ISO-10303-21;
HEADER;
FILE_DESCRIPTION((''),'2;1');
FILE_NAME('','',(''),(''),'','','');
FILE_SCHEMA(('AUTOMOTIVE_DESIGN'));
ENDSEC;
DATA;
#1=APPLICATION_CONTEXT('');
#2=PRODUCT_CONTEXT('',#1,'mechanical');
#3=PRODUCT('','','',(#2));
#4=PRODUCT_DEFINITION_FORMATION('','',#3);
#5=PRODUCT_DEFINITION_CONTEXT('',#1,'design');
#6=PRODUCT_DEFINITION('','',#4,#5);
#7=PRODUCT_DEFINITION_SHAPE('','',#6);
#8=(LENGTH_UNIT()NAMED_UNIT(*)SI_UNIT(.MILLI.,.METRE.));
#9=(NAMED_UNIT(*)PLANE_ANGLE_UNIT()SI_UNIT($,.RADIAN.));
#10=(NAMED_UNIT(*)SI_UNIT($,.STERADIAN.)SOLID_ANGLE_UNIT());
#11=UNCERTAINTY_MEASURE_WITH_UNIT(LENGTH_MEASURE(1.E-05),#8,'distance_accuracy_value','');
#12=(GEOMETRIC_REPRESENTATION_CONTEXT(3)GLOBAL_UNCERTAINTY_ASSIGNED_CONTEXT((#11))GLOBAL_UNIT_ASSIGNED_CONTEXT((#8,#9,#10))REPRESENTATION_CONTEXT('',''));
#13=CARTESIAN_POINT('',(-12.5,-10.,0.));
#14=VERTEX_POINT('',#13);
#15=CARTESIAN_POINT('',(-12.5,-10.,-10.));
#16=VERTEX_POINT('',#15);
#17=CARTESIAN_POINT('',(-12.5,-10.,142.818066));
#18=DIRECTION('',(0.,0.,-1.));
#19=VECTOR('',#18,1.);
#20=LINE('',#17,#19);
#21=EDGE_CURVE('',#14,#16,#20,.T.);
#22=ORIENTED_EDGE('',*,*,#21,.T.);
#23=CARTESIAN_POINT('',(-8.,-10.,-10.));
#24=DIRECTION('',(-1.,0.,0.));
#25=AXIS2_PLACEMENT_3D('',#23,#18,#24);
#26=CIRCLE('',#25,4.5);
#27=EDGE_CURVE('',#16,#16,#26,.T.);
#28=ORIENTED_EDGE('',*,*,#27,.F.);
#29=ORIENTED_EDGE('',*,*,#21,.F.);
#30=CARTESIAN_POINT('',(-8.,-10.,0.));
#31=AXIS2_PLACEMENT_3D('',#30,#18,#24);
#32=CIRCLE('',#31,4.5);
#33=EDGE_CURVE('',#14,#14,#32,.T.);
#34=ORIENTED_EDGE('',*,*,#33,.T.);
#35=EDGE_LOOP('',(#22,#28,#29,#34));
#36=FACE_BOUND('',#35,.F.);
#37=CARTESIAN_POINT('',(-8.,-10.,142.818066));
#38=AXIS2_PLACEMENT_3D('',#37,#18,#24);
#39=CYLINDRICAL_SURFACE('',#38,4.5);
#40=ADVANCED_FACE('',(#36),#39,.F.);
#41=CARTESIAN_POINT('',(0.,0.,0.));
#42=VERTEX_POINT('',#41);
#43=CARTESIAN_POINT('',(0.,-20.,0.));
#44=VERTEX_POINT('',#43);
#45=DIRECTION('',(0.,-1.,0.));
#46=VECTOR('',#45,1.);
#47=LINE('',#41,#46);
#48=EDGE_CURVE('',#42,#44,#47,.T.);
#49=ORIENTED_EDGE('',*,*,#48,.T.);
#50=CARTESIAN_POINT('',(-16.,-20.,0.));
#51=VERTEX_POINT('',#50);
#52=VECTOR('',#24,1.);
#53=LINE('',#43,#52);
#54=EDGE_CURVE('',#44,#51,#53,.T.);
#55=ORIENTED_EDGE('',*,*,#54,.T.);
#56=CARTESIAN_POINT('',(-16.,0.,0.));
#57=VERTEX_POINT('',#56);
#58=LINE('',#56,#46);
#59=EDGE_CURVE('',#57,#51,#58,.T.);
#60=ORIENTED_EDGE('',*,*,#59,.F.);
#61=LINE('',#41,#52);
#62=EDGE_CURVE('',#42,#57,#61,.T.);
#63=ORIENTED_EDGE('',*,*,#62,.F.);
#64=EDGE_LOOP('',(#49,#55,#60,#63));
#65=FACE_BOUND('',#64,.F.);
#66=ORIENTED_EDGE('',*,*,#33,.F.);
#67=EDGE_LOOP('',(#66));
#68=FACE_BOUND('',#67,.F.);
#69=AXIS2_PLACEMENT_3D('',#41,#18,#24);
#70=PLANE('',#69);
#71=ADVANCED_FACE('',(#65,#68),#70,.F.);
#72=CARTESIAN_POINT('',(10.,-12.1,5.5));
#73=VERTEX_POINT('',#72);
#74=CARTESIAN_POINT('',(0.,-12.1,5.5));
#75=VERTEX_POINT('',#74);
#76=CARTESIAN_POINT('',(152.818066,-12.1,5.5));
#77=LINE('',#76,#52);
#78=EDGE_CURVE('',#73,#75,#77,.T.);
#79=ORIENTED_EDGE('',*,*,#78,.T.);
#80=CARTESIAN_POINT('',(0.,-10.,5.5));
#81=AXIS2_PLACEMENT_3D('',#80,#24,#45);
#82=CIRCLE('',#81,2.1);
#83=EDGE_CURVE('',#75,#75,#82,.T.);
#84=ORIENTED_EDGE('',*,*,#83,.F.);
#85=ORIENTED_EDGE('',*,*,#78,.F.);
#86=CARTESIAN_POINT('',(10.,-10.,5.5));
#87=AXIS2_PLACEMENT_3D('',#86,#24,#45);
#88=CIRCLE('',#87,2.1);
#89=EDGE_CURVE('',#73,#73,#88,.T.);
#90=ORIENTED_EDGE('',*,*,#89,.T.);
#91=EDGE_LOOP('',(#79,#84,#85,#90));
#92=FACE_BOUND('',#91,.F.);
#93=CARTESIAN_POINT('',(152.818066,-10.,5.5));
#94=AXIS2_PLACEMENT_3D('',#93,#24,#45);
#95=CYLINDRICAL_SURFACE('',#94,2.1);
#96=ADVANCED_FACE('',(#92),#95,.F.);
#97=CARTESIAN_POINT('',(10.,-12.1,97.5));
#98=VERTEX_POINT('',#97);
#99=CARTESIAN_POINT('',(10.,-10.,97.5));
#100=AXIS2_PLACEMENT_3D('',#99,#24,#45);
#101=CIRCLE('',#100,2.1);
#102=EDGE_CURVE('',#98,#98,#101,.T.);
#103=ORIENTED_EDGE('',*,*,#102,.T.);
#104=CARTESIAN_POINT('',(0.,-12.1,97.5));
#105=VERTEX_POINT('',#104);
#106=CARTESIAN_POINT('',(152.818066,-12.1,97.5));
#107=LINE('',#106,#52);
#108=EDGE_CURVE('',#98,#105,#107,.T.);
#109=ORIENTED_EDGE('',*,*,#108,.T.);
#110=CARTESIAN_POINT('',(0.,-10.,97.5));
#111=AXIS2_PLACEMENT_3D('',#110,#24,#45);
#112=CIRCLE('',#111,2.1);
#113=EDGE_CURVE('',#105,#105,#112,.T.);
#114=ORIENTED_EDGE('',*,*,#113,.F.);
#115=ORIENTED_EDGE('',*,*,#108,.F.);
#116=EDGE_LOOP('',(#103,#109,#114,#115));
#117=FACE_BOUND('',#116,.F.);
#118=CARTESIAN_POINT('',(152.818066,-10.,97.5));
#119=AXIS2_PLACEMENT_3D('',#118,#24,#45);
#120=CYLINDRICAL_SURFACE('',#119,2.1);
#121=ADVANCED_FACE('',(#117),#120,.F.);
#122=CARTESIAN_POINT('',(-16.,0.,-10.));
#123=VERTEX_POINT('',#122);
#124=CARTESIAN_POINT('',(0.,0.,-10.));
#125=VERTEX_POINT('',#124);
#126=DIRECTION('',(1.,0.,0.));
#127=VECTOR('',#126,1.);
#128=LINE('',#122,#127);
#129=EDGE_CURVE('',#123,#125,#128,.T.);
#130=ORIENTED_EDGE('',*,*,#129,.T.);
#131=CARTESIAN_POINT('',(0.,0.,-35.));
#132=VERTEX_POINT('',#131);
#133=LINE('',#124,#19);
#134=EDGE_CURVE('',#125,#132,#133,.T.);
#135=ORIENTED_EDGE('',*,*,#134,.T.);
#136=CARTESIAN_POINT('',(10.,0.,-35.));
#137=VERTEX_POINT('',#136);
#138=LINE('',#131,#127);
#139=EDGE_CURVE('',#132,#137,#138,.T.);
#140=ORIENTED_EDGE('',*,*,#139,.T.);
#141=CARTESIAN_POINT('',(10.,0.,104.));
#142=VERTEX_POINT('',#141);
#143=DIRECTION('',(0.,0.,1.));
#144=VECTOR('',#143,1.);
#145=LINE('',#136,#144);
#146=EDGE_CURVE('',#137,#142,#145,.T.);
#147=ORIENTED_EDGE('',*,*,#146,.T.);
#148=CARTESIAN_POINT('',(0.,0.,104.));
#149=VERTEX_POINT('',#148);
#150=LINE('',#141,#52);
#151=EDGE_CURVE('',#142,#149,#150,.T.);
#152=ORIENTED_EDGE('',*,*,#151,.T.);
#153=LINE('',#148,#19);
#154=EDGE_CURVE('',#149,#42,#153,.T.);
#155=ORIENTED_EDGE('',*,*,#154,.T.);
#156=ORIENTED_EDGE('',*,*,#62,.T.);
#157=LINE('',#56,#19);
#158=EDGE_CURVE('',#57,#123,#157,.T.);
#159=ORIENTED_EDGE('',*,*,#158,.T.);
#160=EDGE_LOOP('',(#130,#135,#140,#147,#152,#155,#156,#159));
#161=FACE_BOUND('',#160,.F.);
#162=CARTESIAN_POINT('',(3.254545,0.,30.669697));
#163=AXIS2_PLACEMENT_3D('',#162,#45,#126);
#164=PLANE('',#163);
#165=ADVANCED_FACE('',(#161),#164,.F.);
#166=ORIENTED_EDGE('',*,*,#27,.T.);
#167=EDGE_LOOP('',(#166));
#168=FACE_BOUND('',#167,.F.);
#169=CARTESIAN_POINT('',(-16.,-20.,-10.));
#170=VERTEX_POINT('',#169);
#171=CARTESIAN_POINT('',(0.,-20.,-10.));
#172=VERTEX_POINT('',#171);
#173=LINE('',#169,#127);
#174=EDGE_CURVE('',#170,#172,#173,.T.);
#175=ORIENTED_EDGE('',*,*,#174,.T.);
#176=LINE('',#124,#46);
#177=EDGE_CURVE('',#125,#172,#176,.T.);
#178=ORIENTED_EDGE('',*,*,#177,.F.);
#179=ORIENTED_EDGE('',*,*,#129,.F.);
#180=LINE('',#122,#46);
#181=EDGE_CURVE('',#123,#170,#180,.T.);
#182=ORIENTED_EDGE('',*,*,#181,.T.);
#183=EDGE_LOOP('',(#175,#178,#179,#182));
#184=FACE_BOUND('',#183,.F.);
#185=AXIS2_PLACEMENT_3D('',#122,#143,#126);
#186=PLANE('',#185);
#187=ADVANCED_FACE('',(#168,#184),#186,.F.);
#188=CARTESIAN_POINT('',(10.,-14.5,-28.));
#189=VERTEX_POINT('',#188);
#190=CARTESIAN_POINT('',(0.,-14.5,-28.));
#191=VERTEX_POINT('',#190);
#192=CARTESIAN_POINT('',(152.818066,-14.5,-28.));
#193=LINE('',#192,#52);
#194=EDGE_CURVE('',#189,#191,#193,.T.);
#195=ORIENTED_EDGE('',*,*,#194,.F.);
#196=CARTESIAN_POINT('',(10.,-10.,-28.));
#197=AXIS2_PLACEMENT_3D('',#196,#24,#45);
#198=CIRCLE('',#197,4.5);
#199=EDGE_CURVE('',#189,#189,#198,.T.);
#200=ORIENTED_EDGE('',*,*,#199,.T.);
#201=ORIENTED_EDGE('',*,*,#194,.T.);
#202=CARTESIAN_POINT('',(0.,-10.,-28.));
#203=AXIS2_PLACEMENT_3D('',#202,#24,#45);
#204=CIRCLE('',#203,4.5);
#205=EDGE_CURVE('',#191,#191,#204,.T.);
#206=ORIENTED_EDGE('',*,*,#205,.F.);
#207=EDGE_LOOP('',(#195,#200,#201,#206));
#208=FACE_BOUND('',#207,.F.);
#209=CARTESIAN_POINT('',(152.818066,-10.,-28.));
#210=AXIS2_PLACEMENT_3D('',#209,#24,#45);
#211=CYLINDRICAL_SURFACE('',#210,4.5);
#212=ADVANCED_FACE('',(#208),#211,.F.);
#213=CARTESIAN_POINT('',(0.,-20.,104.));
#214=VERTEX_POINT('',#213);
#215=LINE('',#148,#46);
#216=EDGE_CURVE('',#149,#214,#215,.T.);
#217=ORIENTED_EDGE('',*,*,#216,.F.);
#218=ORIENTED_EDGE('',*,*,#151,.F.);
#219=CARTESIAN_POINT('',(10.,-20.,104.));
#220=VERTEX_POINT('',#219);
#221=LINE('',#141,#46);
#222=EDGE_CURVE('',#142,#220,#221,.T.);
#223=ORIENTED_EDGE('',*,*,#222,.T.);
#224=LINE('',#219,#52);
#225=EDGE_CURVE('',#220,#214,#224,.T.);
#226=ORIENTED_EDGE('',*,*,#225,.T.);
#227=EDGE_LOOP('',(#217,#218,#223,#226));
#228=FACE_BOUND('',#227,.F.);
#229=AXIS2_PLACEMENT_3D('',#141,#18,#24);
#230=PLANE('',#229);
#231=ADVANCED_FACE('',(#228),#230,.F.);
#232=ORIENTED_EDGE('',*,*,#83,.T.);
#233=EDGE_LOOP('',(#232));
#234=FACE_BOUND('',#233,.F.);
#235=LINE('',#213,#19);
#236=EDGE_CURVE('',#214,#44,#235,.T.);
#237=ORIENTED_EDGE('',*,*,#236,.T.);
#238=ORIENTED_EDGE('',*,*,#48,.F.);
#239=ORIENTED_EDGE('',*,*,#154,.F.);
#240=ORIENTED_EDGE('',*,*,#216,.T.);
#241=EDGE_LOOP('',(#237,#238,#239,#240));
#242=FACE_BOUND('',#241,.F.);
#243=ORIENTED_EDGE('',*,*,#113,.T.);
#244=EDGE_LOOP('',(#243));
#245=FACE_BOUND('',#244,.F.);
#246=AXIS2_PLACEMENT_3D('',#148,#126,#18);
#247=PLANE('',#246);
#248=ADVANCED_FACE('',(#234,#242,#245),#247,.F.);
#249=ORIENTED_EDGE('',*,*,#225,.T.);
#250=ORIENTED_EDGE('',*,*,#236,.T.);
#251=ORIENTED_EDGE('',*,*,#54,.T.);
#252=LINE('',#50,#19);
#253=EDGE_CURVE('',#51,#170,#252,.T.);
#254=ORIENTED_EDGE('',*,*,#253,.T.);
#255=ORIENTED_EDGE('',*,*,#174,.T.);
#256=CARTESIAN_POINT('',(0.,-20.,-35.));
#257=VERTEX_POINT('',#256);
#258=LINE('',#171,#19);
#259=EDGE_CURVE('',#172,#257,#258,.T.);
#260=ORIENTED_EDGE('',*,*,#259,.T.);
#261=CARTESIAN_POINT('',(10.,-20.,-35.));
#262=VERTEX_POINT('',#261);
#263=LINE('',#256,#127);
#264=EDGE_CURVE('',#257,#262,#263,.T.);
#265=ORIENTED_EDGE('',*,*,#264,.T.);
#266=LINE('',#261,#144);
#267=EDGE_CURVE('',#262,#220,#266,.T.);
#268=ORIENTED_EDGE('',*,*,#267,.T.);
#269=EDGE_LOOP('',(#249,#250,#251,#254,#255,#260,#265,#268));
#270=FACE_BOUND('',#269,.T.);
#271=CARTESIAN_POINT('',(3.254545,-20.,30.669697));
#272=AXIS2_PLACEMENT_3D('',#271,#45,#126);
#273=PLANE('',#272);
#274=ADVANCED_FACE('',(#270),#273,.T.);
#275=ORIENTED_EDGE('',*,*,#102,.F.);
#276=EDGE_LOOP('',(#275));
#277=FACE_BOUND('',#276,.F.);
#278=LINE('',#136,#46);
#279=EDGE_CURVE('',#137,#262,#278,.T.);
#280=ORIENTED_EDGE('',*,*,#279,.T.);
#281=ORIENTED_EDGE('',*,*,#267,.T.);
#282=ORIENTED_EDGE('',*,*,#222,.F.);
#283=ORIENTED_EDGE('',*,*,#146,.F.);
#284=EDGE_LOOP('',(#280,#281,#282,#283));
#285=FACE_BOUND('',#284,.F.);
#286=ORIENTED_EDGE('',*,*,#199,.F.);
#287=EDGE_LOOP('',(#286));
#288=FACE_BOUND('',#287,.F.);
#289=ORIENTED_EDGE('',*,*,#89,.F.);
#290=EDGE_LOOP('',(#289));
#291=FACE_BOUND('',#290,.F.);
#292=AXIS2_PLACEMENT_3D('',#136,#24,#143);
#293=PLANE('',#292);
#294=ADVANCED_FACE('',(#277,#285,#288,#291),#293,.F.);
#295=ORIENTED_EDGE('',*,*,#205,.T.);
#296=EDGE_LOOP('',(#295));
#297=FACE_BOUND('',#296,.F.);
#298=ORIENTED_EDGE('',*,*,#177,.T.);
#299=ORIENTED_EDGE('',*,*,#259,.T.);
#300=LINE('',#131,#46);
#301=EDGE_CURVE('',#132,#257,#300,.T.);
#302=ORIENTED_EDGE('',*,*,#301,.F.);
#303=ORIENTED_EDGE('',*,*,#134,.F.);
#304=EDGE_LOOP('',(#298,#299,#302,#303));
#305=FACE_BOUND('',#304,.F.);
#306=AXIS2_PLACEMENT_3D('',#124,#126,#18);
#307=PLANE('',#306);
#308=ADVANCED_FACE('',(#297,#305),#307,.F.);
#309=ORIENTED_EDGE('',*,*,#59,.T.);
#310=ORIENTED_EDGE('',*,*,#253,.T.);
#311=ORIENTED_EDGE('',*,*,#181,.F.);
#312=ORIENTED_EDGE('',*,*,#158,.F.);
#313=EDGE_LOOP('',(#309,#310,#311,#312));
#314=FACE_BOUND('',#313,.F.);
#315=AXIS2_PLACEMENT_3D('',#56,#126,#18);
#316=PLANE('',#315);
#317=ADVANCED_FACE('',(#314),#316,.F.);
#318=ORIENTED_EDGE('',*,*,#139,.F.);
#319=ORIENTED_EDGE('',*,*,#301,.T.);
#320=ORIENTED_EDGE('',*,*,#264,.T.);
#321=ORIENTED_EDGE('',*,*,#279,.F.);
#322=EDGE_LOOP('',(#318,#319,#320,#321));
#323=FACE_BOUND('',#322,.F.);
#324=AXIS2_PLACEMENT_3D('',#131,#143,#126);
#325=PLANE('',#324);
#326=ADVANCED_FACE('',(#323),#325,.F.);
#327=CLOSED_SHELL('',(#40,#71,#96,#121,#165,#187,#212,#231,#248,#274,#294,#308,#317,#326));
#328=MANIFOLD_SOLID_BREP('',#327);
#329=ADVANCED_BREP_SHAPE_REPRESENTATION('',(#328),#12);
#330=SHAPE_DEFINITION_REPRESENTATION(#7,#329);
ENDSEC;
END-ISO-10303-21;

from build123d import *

# Parameters (mm, degrees)
F1_DEPTH = 20
F3_D     = 9
F5_D     = 9
F7_D     = 4.2


with BuildPart() as f1:
    # F0 (on Front) → F1 (new body)
    with BuildSketch(Plane.XZ):
        Polygon((0, 104), (0, 0), (-16, 0), (-16, -10), (0, -10), (0, -35), (10, -35), (10, 104), align=None)
    extrude(amount=F1_DEPTH)

    # F3 (through all)
    with Locations(Plane.XY):
        with Locations((-8, -10)):
            Hole(F3_D / 2)

    # F5 (through all)
    with Locations(Plane.YZ.offset(10)):
        with Locations((-10, -28)):
            Hole(F5_D / 2)

    # F7 (through all)
    with Locations(Plane.YZ.offset(10)):
        with Locations((-10, 97.5), (-10, 5.5)):
            Hole(F7_D / 2)


solid = f1.part
